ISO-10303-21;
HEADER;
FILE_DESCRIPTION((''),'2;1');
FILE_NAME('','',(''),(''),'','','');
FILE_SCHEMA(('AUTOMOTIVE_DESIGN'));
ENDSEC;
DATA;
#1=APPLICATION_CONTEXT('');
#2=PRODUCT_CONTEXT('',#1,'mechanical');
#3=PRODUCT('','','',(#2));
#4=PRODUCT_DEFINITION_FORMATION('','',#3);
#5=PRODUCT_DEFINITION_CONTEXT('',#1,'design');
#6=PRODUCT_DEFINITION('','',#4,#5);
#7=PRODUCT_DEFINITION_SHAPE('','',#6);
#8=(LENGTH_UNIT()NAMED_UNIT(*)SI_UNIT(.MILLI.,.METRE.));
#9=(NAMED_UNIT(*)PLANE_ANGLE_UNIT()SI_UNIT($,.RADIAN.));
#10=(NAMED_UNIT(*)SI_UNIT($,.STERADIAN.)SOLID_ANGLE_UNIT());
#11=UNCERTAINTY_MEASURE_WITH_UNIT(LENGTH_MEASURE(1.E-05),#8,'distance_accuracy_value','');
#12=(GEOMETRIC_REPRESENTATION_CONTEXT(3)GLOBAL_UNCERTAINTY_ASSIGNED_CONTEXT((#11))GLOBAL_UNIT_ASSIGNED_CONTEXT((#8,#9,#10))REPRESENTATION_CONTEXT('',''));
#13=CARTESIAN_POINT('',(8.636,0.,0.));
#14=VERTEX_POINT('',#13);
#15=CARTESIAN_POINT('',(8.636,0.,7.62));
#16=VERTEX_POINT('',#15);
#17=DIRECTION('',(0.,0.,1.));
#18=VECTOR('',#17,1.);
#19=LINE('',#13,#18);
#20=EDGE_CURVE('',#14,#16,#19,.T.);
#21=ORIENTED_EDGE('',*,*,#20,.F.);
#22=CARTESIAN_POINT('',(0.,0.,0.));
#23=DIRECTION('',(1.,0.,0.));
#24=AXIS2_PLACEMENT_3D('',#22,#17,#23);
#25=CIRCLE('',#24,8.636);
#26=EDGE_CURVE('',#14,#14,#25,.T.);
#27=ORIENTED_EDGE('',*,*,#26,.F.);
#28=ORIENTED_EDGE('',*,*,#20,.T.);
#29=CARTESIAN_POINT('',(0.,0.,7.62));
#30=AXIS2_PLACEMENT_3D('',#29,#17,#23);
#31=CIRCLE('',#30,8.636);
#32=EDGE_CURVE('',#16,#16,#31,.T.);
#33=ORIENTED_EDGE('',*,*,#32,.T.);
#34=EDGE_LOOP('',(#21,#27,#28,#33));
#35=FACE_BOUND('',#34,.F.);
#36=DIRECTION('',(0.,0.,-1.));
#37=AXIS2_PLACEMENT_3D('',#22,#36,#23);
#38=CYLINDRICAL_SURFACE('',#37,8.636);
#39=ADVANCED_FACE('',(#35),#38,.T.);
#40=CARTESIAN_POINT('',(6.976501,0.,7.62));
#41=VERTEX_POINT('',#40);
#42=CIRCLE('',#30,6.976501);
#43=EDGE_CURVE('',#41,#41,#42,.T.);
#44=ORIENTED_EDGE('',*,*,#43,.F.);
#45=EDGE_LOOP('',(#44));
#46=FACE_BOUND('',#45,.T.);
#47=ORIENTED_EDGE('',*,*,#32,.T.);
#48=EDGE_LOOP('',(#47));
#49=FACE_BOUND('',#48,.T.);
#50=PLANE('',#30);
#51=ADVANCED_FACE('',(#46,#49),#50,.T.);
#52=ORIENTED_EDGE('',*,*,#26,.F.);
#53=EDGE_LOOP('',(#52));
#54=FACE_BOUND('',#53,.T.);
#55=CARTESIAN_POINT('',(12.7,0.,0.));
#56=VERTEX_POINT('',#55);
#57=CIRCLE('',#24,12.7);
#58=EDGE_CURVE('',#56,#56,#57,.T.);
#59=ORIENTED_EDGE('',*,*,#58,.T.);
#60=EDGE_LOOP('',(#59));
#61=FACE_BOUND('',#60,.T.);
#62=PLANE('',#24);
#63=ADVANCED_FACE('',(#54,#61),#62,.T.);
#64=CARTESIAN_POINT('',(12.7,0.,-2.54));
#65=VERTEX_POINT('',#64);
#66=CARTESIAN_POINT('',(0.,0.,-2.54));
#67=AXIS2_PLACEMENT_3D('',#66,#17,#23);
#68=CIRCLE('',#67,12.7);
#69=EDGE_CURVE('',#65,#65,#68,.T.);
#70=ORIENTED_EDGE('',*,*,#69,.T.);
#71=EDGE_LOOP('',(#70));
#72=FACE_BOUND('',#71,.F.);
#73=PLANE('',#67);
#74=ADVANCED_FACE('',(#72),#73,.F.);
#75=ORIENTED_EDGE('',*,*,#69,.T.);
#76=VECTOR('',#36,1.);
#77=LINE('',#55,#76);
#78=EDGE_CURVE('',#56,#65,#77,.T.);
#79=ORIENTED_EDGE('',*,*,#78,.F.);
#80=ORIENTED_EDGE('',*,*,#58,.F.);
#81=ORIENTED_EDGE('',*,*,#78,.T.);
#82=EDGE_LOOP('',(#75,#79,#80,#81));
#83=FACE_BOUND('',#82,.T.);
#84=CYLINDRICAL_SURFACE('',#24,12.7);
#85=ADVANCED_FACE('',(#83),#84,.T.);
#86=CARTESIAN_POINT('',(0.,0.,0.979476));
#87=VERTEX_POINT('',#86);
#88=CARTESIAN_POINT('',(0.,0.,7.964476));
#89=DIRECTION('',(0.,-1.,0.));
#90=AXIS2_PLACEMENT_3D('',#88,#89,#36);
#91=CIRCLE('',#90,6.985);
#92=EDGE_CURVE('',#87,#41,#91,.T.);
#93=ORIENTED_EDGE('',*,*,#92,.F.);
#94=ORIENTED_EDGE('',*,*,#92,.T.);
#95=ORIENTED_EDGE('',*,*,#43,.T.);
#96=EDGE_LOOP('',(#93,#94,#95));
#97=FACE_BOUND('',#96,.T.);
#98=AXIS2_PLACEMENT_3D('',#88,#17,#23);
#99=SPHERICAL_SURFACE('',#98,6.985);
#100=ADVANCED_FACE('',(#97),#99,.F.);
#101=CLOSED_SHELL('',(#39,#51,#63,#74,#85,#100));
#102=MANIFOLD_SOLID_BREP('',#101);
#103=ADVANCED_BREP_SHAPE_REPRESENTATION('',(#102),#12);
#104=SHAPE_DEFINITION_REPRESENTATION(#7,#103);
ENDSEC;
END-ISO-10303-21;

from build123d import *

# Parameters (mm, degrees)
F0_R     = 12.7
F0_R_2   = 8.636
F1_DEPTH = 2.54
F2_DEPTH = 7.62


with BuildPart() as f1:
    # F0 (on Top) → F1 (new body)
    with BuildSketch(Plane.XY):
        Circle(F0_R)
        Circle(F0_R_2, mode=Mode.SUBTRACT)
        Circle(F0_R_2)
    extrude(amount=-F1_DEPTH)

    # F0 (on Top) → F2 (join)
    with BuildSketch(Plane.XY):
        Circle(F0_R_2)
    extrude(amount=F2_DEPTH)

    # F3 (on Front) → F4 (revolve, cut)
    with BuildSketch(Plane.XZ):
        with BuildLine():
            Line((0, 14.949476), (0, 0.979476))
            ThreePointArc((0, 0.979476), (6.985, 7.964476), (0, 14.949476))
        make_face()
    revolve(axis=Axis((0, 0, 5.221219), (0, 0, -1)), mode=Mode.SUBTRACT)


solid = f1.part
